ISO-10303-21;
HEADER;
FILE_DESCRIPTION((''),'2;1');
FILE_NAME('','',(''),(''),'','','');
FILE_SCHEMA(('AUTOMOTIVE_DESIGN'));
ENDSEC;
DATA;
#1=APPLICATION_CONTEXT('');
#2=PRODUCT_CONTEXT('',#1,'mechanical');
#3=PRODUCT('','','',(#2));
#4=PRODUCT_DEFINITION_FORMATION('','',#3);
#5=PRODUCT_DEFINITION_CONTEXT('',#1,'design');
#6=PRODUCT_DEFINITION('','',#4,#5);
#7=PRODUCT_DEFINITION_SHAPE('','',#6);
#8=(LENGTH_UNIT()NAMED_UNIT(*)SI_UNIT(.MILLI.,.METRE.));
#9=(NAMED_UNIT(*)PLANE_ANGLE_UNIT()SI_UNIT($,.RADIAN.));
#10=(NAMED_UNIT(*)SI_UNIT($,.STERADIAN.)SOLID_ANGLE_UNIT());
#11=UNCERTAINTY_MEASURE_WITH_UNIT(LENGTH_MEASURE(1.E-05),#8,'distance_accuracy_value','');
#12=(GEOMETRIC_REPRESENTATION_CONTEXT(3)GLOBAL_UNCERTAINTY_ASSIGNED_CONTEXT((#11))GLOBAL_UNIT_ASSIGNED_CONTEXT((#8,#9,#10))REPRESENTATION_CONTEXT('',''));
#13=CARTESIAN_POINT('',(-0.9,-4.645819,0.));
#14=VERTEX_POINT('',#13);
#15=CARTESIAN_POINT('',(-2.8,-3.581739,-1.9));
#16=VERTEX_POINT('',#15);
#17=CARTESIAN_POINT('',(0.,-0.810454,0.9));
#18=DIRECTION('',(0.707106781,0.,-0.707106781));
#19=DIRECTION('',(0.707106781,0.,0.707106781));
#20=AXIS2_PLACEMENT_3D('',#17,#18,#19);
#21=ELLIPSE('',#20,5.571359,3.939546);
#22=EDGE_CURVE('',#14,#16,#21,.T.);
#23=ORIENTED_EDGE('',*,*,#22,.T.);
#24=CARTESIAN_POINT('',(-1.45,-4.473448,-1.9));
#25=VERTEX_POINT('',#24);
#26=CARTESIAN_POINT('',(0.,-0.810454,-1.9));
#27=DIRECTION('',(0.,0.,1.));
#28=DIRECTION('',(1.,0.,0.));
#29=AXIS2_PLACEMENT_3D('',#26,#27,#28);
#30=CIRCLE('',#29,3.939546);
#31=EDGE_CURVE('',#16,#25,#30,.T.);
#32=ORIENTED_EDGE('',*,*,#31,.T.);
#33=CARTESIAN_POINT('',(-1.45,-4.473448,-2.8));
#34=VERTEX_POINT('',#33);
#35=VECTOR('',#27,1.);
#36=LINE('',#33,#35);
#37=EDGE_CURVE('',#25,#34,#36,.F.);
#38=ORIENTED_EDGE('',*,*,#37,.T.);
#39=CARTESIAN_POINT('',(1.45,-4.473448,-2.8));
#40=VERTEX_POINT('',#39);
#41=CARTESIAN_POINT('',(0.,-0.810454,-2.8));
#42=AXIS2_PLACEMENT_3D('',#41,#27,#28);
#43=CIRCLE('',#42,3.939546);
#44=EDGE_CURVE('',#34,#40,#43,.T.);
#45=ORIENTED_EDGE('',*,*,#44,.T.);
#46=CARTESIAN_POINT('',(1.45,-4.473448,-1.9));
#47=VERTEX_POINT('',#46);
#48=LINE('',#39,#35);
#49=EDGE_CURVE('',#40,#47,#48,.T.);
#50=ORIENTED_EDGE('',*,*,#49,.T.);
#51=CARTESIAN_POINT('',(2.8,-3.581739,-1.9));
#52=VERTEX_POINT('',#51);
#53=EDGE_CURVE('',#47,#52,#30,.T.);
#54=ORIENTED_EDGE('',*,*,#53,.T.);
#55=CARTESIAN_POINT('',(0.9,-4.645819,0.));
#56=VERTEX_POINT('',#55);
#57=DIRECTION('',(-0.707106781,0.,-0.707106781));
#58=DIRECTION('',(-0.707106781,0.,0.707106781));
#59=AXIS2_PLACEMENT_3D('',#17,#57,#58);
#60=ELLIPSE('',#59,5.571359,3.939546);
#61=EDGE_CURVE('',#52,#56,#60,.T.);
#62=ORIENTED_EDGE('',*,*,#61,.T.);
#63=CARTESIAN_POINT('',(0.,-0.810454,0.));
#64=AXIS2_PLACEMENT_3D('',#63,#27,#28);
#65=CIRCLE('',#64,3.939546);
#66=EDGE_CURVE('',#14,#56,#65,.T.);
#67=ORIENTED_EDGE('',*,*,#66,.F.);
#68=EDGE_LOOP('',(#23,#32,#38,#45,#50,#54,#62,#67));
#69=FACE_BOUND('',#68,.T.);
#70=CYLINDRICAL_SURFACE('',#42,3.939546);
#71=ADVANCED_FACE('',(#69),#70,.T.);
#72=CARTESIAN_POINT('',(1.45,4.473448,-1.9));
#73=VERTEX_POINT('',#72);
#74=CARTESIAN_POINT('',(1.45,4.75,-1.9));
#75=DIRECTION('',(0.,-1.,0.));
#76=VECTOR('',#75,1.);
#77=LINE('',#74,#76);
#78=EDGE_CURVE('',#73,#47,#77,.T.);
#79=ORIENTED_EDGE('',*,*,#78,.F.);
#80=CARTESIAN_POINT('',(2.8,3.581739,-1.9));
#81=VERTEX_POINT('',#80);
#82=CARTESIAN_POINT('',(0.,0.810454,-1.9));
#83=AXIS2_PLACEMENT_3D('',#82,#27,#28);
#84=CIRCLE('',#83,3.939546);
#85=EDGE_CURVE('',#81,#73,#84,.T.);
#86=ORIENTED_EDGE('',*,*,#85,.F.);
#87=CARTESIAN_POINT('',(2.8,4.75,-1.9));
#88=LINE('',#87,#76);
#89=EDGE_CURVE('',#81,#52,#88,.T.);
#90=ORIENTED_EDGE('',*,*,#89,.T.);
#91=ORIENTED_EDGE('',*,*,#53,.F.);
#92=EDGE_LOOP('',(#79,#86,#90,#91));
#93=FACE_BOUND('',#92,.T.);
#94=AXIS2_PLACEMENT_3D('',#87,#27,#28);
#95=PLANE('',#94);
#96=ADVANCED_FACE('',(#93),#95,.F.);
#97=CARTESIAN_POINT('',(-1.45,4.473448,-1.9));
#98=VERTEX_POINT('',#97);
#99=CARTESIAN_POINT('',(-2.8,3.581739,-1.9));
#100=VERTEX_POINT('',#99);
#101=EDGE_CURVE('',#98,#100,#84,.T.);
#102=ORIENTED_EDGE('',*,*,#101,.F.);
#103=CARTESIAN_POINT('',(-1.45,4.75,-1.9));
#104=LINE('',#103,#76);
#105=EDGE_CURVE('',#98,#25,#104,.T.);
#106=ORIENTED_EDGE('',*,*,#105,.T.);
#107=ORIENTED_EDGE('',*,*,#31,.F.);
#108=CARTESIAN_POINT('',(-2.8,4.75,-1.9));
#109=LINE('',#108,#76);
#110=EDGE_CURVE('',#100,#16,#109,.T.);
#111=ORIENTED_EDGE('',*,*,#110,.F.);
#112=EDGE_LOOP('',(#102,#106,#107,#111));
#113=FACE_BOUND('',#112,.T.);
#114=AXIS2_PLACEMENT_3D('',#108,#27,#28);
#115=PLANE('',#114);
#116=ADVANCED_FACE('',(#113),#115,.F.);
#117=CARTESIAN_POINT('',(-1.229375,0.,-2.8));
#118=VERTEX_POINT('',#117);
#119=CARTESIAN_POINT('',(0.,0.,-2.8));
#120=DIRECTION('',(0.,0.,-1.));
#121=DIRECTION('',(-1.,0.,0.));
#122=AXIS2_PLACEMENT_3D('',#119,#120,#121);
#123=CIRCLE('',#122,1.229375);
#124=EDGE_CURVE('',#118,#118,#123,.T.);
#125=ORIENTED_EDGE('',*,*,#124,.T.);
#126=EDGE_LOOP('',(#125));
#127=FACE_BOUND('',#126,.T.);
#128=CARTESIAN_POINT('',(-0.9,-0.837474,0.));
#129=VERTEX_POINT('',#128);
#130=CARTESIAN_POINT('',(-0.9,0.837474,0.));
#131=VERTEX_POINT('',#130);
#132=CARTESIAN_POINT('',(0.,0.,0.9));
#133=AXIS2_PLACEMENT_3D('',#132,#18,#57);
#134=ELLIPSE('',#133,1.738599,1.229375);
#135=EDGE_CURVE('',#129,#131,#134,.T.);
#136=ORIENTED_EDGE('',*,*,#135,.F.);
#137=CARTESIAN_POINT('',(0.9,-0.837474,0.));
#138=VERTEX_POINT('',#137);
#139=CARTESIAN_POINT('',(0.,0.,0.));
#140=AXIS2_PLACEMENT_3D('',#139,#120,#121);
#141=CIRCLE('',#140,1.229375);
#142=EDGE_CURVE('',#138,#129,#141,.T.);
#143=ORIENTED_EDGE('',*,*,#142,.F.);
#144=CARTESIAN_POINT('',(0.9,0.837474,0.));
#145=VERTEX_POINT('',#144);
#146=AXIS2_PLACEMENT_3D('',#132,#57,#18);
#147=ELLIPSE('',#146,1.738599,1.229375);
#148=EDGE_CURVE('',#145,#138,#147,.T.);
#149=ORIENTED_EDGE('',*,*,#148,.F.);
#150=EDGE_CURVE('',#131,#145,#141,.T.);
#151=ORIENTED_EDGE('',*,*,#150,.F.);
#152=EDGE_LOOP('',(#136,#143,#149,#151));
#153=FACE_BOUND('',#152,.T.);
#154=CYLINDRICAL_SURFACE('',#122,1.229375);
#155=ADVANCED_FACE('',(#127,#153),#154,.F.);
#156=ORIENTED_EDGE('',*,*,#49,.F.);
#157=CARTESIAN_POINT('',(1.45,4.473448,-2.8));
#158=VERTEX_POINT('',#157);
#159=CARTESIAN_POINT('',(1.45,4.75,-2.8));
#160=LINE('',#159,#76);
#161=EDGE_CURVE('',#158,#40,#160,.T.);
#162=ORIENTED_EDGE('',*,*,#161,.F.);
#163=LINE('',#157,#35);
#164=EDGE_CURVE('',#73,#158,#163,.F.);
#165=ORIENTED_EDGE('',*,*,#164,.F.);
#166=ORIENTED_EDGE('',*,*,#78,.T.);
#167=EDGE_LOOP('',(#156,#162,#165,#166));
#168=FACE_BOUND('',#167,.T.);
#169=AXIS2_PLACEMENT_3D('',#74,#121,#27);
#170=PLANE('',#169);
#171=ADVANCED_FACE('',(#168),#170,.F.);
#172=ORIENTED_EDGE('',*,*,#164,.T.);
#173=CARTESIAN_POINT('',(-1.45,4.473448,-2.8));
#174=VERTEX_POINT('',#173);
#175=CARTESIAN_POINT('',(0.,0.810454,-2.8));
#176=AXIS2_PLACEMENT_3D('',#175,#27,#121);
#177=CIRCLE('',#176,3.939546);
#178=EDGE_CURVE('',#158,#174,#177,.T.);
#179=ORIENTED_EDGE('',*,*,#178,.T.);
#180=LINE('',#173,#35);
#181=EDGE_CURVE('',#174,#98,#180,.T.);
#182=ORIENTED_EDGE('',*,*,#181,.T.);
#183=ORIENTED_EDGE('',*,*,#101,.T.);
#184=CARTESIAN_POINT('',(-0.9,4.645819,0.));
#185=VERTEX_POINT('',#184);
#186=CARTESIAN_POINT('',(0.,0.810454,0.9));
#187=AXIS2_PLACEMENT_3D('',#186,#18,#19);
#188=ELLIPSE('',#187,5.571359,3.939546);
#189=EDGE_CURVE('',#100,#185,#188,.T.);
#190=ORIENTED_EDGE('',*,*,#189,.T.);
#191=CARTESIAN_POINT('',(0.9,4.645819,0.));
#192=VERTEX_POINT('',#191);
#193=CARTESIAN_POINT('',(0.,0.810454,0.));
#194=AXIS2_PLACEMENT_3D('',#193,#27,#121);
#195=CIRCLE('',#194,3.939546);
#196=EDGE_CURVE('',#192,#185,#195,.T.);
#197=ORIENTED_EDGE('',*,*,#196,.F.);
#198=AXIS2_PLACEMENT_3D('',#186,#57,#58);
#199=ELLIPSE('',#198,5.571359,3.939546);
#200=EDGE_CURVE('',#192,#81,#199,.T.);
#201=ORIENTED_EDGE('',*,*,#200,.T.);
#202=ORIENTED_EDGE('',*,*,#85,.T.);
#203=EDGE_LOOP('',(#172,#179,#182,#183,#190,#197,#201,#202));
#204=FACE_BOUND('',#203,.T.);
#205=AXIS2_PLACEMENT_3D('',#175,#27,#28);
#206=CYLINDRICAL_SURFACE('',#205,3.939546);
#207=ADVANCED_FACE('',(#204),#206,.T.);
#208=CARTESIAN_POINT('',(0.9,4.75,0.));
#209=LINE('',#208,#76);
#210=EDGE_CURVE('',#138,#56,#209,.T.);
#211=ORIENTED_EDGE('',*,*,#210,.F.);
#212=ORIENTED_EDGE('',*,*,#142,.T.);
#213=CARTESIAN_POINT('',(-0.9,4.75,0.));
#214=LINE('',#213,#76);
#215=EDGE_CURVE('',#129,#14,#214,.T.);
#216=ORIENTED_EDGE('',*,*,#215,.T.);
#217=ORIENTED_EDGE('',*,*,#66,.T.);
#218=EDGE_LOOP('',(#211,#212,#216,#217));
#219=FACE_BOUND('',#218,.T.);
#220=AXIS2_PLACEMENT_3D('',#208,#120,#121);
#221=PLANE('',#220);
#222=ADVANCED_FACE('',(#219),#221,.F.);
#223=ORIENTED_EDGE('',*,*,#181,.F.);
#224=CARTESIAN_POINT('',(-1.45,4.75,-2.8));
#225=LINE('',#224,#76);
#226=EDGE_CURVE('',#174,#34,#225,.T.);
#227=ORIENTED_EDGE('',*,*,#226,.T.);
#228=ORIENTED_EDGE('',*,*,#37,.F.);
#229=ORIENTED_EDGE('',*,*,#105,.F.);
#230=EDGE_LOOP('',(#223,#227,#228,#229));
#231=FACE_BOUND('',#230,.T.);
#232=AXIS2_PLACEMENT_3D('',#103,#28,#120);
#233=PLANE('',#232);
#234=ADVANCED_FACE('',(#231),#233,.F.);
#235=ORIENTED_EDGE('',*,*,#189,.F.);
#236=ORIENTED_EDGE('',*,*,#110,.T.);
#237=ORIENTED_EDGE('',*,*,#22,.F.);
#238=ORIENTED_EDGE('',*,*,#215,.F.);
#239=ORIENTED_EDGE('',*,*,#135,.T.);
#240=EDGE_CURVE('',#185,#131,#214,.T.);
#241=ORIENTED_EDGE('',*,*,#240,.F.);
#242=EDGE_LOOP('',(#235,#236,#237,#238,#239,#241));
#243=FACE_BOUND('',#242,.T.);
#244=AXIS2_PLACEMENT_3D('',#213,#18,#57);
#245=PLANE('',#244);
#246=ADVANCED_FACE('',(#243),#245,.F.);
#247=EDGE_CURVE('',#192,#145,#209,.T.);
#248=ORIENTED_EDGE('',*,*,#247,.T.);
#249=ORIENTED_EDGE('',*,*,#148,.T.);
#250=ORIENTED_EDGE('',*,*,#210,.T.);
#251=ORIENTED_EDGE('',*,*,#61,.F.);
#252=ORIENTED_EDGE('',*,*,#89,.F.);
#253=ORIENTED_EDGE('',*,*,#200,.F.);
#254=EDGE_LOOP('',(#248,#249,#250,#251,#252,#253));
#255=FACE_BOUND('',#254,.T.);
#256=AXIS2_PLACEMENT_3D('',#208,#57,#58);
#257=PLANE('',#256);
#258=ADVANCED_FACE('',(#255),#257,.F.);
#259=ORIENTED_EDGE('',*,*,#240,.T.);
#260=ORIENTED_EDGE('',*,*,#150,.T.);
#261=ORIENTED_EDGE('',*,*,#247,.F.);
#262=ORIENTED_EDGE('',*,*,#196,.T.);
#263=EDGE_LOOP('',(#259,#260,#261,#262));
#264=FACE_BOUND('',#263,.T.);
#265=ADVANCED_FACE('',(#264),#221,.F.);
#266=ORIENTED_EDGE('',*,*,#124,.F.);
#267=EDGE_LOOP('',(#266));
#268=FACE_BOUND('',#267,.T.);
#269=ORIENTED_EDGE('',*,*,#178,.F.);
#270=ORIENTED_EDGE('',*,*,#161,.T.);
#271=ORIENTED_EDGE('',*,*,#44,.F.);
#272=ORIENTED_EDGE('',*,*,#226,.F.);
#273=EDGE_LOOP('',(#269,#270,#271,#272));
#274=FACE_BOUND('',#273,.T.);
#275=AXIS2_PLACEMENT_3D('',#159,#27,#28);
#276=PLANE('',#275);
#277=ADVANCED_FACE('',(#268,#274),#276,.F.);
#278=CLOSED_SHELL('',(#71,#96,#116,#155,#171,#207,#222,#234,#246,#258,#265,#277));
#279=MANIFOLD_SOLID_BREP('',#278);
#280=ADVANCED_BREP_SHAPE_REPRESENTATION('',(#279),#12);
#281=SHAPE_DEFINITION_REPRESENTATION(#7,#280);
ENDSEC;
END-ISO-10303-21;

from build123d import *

# Parameters (mm, degrees)
BOSS_EXTRU_1_DEPTH      = 4.75
ESQUISSE1_OUTSIDE_W     = 9.876
ESQUISSE1_OUTSIDE_H     = 13.776
ENL_V_MAT_EXTRU_1_DEPTH = 7.18405207
TROU_TARAUD_M31_D       = 2.45875


with BuildPart() as part:
    # Esquisse2 → Boss.-Extru.1 (new, symmetric)
    with BuildSketch(Plane(origin=(0, 0, 0), x_dir=(1, 0, 0), z_dir=(0, 1, 0))):
        Polygon((0.9, 0), (2.8, 1.9), (1.45, 1.9), (1.45, 2.8), (-1.45, 2.8), (-1.45, 1.9), (-2.8, 1.9), (-0.9, 0), align=None)
    extrude(amount=BOSS_EXTRU_1_DEPTH, both=True)

    # Esquisse1 outside → Enlèv. mat.-Extru.1 (cut, through all)
    with BuildSketch(Plane.XY):
        Rectangle(ESQUISSE1_OUTSIDE_W, ESQUISSE1_OUTSIDE_H)
        with BuildLine():
            Line((-2.8, -3.581739419), (-2.8, 3.581739419))
            ThreePointArc((-2.8, 3.581739419), (0, 4.75), (2.8, 3.581739419))
            Line((2.8, 3.581739419), (2.8, -3.581739419))
            ThreePointArc((2.8, -3.581739419), (0, -4.75), (-2.8, -3.581739419))
        make_face(mode=Mode.SUBTRACT)
    extrude(amount=-ENL_V_MAT_EXTRU_1_DEPTH, mode=Mode.SUBTRACT)

    # Trou taraudé M31 (through all)
    with Locations(Plane(origin=(0, 0, -2.8), x_dir=(-1, 0, 0), z_dir=(0, 0, -1))):
        with Locations((0, 0)):
            Hole(TROU_TARAUD_M31_D / 2)


solid = part.part
